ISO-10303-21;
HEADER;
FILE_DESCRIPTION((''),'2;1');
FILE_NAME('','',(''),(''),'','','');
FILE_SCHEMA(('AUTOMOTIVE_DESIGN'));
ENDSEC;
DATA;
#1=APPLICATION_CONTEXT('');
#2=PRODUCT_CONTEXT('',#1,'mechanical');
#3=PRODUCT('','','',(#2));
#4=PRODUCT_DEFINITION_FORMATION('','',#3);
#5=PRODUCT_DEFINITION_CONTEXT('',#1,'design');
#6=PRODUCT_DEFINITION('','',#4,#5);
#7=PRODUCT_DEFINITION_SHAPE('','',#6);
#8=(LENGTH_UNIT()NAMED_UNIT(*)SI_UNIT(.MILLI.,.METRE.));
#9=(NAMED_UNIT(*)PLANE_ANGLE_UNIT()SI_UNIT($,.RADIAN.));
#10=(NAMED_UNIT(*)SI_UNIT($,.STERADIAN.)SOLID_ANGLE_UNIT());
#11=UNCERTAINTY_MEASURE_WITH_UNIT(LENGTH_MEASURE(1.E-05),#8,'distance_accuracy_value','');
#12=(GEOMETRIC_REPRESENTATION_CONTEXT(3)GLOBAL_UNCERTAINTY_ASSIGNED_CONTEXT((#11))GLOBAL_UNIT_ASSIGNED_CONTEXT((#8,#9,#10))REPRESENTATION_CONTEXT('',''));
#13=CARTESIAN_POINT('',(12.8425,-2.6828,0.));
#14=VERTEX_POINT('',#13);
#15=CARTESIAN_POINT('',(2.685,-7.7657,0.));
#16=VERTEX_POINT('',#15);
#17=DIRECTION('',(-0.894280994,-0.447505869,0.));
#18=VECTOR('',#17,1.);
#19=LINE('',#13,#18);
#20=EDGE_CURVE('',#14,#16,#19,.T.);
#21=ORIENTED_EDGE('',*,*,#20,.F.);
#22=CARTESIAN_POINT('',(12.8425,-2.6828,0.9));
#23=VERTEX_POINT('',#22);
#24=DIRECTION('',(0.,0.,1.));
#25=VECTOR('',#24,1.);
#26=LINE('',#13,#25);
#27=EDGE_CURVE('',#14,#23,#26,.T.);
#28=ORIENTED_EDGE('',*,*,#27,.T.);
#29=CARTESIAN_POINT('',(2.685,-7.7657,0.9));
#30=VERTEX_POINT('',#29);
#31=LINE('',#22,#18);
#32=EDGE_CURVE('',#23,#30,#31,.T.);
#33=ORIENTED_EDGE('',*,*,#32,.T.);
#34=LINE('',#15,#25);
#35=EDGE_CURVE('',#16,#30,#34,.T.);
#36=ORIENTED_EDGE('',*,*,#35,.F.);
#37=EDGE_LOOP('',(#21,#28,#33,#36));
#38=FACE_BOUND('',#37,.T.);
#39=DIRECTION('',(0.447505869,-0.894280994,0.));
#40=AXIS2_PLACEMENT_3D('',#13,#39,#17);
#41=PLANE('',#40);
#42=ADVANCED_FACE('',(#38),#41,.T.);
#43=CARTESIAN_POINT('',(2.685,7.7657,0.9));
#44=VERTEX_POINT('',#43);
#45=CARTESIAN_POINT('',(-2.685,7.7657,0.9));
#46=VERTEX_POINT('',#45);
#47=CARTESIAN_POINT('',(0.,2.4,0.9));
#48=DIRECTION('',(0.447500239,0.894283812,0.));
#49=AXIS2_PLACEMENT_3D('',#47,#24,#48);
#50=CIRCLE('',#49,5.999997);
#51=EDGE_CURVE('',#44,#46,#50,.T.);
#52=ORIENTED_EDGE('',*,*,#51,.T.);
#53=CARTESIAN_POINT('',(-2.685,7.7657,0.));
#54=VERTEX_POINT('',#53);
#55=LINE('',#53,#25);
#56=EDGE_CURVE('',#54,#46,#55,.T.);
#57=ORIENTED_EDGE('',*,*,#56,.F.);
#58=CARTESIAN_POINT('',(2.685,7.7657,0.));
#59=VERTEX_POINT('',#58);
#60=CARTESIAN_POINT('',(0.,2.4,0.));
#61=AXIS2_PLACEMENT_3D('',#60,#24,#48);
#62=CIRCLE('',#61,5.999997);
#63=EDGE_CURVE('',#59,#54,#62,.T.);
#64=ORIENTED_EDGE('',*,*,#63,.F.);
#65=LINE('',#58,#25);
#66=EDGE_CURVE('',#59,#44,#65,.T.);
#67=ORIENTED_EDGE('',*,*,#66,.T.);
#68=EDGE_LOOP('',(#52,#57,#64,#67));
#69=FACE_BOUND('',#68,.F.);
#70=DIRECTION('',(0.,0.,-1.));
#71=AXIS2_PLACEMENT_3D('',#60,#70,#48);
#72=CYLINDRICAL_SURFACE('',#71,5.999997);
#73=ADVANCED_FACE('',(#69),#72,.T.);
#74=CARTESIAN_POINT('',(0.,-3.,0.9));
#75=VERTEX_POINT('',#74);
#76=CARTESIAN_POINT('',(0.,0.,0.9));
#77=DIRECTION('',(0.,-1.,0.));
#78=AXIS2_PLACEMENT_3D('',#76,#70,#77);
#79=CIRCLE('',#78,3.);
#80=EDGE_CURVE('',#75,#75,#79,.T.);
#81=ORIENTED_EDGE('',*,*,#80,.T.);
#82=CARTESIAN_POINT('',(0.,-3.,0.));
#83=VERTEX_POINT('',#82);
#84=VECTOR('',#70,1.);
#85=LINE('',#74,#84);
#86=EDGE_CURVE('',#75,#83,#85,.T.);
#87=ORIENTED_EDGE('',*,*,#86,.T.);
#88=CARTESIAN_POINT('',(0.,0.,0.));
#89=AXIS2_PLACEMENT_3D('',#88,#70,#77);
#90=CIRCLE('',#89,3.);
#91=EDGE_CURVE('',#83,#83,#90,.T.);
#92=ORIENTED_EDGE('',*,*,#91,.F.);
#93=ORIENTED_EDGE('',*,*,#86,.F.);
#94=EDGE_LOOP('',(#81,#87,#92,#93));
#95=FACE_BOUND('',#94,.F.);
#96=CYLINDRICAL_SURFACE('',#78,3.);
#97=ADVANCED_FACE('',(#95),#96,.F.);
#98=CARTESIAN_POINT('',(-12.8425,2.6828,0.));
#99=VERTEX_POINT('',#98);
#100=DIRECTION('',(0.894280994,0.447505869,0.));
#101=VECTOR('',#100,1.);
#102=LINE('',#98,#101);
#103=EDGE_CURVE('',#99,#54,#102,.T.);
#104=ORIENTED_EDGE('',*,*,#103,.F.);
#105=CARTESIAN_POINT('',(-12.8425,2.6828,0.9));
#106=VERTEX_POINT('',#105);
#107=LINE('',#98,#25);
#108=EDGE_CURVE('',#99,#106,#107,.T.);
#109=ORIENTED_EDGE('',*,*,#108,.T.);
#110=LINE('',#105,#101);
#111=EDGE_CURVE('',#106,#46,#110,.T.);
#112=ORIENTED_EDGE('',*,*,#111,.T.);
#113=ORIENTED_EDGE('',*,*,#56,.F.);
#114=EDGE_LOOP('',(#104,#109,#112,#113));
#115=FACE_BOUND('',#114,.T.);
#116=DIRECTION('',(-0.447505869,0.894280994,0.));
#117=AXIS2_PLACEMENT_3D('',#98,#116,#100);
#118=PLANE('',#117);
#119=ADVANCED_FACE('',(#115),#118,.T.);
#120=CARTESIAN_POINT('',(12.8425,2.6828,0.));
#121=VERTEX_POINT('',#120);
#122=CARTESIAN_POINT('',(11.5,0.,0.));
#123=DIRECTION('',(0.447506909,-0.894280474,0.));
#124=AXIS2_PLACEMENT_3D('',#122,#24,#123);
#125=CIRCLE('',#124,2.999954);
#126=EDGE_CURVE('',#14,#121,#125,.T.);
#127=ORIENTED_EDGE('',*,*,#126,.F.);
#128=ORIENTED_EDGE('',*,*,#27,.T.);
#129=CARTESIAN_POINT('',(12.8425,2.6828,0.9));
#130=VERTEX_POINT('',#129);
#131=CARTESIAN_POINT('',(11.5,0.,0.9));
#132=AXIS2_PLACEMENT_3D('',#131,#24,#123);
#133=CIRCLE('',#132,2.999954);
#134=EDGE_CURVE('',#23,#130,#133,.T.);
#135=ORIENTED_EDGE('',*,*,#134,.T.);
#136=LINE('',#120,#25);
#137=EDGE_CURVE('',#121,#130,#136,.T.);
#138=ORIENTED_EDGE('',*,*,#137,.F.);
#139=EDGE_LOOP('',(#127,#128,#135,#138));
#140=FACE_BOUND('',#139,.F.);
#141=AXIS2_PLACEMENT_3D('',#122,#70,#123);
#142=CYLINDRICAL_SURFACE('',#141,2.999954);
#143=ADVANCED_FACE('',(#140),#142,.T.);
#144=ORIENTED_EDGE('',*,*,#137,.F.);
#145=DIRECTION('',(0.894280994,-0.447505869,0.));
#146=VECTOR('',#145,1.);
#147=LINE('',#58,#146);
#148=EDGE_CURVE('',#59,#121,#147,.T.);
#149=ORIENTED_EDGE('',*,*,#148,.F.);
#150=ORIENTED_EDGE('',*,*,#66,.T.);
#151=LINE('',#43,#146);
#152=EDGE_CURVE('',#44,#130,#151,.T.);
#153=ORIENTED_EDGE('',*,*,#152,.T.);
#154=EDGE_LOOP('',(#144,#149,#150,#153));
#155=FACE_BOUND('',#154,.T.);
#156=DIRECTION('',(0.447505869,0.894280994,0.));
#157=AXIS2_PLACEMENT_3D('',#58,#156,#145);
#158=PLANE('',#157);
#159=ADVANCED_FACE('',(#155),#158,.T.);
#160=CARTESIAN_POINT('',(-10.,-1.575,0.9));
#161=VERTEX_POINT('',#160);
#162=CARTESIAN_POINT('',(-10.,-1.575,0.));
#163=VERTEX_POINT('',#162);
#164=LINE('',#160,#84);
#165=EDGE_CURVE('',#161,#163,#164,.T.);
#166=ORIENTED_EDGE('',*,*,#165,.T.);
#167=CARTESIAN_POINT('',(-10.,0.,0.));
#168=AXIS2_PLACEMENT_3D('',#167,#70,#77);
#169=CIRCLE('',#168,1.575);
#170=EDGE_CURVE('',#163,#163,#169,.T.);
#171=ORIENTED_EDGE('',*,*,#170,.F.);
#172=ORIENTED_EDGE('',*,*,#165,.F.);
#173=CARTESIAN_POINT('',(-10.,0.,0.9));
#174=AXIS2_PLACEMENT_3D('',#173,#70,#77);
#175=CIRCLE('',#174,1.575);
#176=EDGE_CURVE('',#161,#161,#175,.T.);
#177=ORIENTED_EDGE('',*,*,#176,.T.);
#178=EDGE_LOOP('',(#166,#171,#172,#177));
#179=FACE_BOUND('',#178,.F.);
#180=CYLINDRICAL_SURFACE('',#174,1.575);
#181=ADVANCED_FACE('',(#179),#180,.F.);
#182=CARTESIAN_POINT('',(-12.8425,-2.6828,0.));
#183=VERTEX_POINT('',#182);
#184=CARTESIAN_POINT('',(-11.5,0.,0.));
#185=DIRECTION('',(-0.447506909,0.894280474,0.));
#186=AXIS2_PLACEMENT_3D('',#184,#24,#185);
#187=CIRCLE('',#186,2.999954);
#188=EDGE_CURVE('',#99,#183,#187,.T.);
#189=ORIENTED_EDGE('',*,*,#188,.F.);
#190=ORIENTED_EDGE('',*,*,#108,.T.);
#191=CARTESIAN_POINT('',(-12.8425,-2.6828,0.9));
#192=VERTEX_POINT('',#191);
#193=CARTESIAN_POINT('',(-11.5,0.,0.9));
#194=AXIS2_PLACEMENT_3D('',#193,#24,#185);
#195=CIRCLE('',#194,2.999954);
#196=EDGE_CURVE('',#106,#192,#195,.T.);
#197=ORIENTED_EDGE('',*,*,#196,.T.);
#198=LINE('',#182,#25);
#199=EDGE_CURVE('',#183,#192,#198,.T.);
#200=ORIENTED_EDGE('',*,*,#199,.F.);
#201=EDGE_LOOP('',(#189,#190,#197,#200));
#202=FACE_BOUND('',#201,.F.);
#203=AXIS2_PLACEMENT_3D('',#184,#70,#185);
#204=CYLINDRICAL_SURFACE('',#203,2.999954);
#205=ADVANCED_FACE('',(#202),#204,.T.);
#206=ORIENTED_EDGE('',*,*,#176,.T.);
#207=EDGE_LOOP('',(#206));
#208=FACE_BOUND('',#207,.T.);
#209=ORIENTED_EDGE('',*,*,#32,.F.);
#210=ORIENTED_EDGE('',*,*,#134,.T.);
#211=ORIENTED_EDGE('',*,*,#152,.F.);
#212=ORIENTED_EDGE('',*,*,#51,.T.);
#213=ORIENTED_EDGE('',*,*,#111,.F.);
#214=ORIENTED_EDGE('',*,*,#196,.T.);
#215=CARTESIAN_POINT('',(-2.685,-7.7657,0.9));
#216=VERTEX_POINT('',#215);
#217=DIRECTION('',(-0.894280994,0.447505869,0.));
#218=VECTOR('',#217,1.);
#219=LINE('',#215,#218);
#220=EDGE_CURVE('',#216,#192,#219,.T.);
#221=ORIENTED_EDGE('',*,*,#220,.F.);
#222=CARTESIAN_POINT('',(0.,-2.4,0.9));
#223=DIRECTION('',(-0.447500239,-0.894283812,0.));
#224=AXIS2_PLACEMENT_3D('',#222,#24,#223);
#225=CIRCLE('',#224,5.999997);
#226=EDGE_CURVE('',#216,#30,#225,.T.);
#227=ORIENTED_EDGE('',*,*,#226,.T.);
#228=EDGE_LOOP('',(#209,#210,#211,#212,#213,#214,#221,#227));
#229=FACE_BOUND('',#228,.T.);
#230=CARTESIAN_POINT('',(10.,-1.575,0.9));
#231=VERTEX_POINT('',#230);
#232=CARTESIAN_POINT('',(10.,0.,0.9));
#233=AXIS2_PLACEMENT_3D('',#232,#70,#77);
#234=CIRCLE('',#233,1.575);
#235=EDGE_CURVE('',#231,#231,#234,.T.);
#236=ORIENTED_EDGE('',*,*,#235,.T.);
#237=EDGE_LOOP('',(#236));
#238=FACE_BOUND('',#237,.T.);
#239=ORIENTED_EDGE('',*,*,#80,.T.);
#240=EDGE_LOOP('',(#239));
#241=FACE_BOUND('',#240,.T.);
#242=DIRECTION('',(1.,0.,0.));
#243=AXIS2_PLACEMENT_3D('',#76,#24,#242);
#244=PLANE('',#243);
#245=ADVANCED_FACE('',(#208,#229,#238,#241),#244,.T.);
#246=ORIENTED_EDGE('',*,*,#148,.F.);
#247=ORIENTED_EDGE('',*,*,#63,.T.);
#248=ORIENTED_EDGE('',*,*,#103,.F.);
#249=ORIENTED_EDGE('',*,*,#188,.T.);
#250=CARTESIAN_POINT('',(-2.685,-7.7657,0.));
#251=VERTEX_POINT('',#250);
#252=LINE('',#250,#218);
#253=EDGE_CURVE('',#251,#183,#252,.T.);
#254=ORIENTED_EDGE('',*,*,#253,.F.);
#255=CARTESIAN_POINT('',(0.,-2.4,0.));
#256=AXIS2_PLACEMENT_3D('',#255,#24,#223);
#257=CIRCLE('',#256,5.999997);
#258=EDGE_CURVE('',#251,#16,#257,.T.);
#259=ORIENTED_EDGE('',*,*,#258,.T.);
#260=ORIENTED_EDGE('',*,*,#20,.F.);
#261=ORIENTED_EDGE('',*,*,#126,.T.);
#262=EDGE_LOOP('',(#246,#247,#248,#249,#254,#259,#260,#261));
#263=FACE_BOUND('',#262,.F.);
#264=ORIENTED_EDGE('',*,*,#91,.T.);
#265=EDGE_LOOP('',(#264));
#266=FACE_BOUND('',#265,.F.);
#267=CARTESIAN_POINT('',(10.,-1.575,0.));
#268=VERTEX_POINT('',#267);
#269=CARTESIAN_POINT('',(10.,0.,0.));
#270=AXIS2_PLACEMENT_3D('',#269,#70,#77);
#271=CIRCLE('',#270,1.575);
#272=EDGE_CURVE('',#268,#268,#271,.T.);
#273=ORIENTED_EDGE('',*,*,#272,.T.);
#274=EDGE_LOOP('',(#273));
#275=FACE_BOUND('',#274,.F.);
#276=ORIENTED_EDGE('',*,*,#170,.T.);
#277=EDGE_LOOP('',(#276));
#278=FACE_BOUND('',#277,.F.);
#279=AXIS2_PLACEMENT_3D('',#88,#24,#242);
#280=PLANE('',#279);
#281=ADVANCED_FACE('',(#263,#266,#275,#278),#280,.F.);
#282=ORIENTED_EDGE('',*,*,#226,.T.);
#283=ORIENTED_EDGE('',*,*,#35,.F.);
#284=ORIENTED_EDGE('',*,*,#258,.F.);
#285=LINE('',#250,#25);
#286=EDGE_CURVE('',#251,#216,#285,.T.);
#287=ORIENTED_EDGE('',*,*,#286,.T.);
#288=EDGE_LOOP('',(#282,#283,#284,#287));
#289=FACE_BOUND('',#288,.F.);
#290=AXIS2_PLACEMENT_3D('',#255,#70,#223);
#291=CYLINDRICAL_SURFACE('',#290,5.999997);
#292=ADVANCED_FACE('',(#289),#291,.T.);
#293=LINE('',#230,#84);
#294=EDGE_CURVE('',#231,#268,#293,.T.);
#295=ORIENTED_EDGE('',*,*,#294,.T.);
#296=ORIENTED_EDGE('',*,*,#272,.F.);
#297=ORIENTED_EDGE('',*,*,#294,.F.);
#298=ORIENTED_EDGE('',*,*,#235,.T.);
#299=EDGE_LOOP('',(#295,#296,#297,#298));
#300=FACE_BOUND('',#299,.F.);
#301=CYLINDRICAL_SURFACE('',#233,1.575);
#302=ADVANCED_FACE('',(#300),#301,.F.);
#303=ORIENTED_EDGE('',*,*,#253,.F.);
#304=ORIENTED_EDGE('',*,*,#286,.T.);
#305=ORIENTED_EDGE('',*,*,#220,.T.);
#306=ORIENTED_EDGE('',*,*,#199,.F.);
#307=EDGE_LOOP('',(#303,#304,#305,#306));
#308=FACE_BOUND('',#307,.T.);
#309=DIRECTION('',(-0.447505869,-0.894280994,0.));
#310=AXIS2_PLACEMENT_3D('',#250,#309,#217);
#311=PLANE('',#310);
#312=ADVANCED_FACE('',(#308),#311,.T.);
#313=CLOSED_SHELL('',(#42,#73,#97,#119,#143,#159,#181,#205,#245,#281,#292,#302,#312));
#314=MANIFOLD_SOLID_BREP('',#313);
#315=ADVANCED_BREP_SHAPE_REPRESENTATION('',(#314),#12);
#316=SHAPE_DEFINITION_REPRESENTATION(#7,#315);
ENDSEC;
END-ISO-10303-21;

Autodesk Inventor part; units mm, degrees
ref_plane "YZ Plane" through (0, 0, 0) normal (1, 0, 0) x (0, 1, 0)
ref_plane "XZ Plane" through (0, 0, 0) normal (0, 1, 0) x (-1, 0, 0)
ref_plane "XY Plane" through (0, 0, 0) normal (0, 0, 1) x (1, 0, 0)
sketch "Esquisse1" plane through (0, 0, 0) normal (0, 0, 1) x (1, 0, 0)
  line L0 (-12.8425, 2.6828) -> (-2.685, 7.7657)
  line L1 (2.685, 7.7657) -> (12.8425, 2.6828)
  line L2 (12.8425, -2.6828) -> (2.685, -7.7657)
  line L3 (-2.685, -7.7657) -> (-12.8425, -2.6828)
  arc A0 (2.685, 7.7657) -> (-2.685, 7.7657) centre (0, 2.4) ccw
  arc A1 (-2.685, -7.7657) -> (2.685, -7.7657) centre (0, -2.4) ccw
  arc A2 (-12.8425, 2.6828) -> (-12.8425, -2.6828) centre (-11.5, 0) ccw
  arc A3 (12.8425, -2.6828) -> (12.8425, 2.6828) centre (11.5, 0) ccw
  point P0 (0, 0)
  point P1 (0, 9.1093)
  point P2 (18.2039, 0)
  point P3 (0, -9.1093)
  point P4 (-18.2039, 0)
  dimension "d0" = 6
  dimension "d1" = 3
  dimension "d2" = 29
  dimension "d3" = 16.8
extrude "Extrusion1" add sketch "Esquisse1" along normal blind 0.9
sketch "Esquisse2" plane through (0, 0, 0.9) normal (0, 0, 1) x (1, 0, 0)
  point P0 (0, 0)
  point P1 (0, 0)
hole "Perçage D6" at (0, 0, 0.9) direction (0, 0, -1) diameter 6 end through all
sketch "Esquisse3" plane through (0, 0, 0.9) normal (0, 0, 1) x (1, 0, 0)
  point P0 (0, 0)
  point P1 (-10, 0)
  point P2 (10, 0)
  dimension "d13" = 20
  dimension "d21" = 10
hole "Perçage D3.15" at (-10, 0, 0.9) at (10, 0, 0.9) direction (0, 0, -1) diameter 3.15 end through all
equation "\"d21\" = 0.5 * d13"
properties part number "Maintient roulement" material "Aluminium"
